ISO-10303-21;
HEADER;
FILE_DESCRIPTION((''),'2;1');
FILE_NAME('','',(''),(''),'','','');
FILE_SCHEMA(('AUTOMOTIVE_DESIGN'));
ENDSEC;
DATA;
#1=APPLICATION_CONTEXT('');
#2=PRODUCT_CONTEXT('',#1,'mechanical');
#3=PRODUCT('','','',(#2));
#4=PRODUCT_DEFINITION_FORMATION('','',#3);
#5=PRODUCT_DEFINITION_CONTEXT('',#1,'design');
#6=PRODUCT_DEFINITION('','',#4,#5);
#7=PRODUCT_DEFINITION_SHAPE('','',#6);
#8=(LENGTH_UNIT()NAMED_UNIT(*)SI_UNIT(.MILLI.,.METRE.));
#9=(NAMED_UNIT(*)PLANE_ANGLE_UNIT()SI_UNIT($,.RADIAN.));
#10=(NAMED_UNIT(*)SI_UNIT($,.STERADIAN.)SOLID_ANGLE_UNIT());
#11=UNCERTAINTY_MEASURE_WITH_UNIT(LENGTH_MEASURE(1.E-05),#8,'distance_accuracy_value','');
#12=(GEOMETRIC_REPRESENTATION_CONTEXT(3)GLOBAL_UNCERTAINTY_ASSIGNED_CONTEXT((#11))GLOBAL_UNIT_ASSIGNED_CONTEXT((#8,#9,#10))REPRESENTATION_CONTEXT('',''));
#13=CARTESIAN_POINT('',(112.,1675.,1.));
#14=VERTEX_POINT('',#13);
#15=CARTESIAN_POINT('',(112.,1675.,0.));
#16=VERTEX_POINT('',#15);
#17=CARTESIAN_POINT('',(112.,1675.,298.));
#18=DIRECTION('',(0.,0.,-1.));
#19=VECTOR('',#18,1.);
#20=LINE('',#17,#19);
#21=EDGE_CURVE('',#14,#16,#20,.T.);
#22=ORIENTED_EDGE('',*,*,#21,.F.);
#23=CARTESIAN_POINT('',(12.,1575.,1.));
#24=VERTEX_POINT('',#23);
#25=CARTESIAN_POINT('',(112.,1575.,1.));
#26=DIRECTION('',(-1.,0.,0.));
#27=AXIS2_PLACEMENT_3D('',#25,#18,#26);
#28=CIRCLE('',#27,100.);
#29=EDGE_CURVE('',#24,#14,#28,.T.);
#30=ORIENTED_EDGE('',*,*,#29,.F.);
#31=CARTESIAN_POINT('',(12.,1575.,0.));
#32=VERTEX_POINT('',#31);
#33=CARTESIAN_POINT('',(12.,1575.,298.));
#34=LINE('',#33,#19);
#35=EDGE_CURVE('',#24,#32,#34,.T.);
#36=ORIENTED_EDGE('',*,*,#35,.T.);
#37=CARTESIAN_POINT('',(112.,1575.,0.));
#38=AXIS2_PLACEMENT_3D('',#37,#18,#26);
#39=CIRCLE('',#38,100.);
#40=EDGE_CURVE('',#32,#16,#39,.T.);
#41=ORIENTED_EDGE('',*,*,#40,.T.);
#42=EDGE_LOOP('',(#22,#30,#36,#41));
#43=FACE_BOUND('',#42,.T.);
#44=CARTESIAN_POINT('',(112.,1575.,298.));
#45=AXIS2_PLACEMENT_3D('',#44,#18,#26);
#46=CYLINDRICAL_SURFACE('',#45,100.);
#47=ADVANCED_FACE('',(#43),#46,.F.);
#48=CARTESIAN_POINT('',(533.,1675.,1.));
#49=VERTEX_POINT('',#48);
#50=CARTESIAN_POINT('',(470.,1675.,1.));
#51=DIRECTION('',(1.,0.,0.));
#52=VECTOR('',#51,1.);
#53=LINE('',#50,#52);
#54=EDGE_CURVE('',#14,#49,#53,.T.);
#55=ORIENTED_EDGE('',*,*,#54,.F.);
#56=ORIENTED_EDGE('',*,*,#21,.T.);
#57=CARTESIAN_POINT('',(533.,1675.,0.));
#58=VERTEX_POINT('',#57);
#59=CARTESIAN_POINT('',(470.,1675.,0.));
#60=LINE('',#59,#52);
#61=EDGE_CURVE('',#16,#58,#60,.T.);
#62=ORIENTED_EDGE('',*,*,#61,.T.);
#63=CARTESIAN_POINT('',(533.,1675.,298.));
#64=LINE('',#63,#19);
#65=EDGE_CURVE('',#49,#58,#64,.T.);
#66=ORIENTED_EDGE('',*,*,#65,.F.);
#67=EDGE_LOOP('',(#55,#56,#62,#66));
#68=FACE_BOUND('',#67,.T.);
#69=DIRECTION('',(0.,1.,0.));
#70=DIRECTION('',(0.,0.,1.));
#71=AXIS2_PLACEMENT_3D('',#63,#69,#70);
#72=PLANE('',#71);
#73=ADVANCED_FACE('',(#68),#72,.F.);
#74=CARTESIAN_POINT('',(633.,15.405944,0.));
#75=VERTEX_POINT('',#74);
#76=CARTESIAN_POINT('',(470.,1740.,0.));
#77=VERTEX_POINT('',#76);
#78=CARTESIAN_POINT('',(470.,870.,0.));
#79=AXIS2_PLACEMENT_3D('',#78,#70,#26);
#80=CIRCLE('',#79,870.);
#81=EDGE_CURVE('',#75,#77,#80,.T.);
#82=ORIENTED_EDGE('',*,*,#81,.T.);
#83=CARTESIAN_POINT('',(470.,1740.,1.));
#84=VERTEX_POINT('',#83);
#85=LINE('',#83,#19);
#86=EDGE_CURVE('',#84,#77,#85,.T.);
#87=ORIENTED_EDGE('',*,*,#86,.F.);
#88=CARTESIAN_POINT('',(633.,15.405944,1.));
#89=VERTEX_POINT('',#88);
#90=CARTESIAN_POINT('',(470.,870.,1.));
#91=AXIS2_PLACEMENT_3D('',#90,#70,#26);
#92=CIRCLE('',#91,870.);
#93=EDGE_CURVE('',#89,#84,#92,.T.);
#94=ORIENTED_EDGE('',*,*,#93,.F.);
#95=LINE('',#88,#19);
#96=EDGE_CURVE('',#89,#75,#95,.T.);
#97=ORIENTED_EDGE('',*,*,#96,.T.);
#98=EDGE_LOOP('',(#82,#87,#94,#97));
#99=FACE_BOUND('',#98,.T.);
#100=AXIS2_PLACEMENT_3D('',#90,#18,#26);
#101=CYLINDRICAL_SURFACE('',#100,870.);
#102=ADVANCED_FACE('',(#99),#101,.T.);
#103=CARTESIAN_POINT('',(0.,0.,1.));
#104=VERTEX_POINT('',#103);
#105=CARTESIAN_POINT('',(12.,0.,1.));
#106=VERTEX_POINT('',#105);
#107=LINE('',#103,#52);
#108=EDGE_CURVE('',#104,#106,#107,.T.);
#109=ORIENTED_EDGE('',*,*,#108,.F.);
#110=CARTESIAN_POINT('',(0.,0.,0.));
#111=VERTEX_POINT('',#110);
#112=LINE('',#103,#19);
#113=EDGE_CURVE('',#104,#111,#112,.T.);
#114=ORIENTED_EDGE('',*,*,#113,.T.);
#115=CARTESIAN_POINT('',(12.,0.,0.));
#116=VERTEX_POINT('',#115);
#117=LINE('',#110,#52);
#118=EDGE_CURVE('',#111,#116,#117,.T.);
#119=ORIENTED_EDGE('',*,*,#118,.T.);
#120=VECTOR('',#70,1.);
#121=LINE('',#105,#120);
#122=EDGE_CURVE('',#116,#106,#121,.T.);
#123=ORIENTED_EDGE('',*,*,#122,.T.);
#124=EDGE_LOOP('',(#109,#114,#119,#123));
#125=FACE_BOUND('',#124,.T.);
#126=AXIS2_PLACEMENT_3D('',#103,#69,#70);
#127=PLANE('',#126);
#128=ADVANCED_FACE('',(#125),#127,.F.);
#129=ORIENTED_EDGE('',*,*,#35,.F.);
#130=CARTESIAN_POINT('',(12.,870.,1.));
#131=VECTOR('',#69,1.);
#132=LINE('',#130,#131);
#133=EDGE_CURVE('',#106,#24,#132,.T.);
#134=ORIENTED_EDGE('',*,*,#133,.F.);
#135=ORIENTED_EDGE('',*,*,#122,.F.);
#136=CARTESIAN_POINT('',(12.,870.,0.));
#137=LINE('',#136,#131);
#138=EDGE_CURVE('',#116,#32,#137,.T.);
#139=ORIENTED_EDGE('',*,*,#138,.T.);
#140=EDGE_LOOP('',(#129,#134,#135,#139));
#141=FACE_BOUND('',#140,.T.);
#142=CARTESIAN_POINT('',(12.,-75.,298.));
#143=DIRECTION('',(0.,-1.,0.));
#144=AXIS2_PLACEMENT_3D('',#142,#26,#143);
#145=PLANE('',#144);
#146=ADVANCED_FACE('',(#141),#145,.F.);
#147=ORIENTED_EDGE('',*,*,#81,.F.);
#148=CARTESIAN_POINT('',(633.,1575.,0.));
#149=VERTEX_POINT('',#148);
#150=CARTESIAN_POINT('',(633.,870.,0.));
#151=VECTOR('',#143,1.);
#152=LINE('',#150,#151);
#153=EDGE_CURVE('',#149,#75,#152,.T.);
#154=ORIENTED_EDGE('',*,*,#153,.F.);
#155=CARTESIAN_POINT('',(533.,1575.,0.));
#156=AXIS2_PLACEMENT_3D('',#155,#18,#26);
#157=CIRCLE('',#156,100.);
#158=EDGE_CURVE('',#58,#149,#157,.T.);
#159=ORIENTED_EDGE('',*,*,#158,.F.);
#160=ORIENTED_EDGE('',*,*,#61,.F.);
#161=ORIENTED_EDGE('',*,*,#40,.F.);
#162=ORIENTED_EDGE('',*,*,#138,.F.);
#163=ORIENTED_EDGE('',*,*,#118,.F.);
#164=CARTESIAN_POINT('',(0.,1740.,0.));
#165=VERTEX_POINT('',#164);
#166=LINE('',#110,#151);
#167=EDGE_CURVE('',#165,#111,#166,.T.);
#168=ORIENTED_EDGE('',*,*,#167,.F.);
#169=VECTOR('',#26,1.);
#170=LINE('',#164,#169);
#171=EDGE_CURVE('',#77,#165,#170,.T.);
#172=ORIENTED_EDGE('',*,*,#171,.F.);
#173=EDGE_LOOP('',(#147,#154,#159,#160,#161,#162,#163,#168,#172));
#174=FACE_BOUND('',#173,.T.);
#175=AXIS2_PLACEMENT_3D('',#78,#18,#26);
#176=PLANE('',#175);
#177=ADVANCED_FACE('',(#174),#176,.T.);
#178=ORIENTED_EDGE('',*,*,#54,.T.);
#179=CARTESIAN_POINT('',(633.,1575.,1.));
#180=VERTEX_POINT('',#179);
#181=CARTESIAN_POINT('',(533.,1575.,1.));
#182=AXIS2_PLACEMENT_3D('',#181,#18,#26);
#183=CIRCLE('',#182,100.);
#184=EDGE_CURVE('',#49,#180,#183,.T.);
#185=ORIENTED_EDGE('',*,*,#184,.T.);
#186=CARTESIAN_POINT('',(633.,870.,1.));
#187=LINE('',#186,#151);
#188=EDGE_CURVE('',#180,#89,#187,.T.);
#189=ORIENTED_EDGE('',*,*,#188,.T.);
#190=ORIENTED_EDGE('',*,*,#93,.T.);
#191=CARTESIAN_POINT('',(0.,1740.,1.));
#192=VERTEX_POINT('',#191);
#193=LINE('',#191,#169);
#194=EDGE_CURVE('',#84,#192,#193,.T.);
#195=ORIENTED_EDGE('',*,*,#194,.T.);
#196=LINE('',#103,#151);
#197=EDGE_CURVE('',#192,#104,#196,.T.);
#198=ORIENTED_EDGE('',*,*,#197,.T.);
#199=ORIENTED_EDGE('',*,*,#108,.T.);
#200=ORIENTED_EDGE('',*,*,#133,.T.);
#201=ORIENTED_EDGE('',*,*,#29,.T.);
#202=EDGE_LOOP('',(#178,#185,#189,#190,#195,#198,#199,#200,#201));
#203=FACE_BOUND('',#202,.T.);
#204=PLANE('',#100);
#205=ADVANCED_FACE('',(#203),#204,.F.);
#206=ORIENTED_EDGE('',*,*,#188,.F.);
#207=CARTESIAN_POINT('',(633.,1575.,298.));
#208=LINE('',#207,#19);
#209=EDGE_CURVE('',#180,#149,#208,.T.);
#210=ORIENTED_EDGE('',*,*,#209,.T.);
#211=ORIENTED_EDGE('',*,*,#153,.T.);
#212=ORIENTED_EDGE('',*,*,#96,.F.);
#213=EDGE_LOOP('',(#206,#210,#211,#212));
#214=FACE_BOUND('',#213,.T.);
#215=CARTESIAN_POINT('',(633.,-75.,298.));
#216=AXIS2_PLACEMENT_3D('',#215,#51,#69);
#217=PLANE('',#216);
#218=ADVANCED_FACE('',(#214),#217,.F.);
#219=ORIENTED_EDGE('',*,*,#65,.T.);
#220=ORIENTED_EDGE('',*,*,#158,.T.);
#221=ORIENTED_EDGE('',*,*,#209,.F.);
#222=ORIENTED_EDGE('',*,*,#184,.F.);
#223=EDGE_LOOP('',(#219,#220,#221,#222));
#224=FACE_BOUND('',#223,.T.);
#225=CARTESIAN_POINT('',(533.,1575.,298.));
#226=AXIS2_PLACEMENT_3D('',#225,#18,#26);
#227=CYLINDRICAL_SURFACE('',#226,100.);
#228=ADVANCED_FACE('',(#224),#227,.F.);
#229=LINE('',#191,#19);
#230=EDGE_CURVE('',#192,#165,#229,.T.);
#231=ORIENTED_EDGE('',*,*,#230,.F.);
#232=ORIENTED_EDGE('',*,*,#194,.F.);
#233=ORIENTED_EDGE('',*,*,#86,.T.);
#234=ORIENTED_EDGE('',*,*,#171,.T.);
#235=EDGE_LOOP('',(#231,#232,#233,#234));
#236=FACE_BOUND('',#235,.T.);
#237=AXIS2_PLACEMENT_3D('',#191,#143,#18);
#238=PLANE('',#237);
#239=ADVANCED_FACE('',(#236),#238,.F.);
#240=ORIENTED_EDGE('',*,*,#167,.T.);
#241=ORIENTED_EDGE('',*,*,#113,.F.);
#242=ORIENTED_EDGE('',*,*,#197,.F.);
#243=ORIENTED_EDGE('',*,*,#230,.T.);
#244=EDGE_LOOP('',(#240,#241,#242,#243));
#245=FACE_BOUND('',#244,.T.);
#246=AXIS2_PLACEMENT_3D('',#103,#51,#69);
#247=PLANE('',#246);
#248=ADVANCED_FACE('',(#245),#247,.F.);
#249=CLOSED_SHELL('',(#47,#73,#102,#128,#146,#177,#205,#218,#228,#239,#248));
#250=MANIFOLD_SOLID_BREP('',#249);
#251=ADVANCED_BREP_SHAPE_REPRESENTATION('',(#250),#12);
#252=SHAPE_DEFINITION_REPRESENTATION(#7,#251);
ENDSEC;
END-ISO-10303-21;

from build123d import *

# Parameters (mm, degrees)
BOSS_EXTRUDE1_DEPTH = 1
CUT_EXTRUDE2_DEPTH  = 330


with BuildPart() as part:
    # Sketch1 → Boss-Extrude1 (new body)
    with BuildSketch(Plane.XY):
        with BuildLine():
            Line((0, 0), (470, 0))
            ThreePointArc((470, 0), (1340, 870), (470, 1740))
            Line((470, 1740), (0, 1740))
            Line((0, 1740), (0, 0))
        make_face()
    extrude(amount=BOSS_EXTRUDE1_DEPTH)

    # Sketch3 → Cut-Extrude2 (cut)
    with BuildSketch(Plane(origin=(-1354.112118138, -994.457487155, -32), x_dir=(-1, 0, 0), z_dir=(0, 0, -1))):
        with BuildLine():
            Line((-1887.112118138, 819.457487155), (-1466.112118138, 819.457487155))
            ThreePointArc((-1466.112118138, 819.457487155), (-1395.40144002, 848.746809036), (-1366.112118138, 919.457487155))
            Line((-1366.112118138, 919.457487155), (-1366.112118138, 2569.457487155))
            ThreePointArc((-1366.112118138, 2569.457487155), (-1395.40144002, 2640.168165273), (-1466.112118138, 2669.457487155))
            Line((-1466.112118138, 2669.457487155), (-1887.112118138, 2669.457487155))
            ThreePointArc((-1887.112118138, 2669.457487155), (-1957.822796257, 2640.168165273), (-1987.112118138, 2569.457487155))
            Line((-1987.112118138, 2569.457487155), (-1987.112118138, 919.457487155))
            ThreePointArc((-1987.112118138, 919.457487155), (-1957.822796257, 848.746809036), (-1887.112118138, 819.457487155))
        make_face()
    extrude(amount=-CUT_EXTRUDE2_DEPTH, mode=Mode.SUBTRACT)


solid = part.part
